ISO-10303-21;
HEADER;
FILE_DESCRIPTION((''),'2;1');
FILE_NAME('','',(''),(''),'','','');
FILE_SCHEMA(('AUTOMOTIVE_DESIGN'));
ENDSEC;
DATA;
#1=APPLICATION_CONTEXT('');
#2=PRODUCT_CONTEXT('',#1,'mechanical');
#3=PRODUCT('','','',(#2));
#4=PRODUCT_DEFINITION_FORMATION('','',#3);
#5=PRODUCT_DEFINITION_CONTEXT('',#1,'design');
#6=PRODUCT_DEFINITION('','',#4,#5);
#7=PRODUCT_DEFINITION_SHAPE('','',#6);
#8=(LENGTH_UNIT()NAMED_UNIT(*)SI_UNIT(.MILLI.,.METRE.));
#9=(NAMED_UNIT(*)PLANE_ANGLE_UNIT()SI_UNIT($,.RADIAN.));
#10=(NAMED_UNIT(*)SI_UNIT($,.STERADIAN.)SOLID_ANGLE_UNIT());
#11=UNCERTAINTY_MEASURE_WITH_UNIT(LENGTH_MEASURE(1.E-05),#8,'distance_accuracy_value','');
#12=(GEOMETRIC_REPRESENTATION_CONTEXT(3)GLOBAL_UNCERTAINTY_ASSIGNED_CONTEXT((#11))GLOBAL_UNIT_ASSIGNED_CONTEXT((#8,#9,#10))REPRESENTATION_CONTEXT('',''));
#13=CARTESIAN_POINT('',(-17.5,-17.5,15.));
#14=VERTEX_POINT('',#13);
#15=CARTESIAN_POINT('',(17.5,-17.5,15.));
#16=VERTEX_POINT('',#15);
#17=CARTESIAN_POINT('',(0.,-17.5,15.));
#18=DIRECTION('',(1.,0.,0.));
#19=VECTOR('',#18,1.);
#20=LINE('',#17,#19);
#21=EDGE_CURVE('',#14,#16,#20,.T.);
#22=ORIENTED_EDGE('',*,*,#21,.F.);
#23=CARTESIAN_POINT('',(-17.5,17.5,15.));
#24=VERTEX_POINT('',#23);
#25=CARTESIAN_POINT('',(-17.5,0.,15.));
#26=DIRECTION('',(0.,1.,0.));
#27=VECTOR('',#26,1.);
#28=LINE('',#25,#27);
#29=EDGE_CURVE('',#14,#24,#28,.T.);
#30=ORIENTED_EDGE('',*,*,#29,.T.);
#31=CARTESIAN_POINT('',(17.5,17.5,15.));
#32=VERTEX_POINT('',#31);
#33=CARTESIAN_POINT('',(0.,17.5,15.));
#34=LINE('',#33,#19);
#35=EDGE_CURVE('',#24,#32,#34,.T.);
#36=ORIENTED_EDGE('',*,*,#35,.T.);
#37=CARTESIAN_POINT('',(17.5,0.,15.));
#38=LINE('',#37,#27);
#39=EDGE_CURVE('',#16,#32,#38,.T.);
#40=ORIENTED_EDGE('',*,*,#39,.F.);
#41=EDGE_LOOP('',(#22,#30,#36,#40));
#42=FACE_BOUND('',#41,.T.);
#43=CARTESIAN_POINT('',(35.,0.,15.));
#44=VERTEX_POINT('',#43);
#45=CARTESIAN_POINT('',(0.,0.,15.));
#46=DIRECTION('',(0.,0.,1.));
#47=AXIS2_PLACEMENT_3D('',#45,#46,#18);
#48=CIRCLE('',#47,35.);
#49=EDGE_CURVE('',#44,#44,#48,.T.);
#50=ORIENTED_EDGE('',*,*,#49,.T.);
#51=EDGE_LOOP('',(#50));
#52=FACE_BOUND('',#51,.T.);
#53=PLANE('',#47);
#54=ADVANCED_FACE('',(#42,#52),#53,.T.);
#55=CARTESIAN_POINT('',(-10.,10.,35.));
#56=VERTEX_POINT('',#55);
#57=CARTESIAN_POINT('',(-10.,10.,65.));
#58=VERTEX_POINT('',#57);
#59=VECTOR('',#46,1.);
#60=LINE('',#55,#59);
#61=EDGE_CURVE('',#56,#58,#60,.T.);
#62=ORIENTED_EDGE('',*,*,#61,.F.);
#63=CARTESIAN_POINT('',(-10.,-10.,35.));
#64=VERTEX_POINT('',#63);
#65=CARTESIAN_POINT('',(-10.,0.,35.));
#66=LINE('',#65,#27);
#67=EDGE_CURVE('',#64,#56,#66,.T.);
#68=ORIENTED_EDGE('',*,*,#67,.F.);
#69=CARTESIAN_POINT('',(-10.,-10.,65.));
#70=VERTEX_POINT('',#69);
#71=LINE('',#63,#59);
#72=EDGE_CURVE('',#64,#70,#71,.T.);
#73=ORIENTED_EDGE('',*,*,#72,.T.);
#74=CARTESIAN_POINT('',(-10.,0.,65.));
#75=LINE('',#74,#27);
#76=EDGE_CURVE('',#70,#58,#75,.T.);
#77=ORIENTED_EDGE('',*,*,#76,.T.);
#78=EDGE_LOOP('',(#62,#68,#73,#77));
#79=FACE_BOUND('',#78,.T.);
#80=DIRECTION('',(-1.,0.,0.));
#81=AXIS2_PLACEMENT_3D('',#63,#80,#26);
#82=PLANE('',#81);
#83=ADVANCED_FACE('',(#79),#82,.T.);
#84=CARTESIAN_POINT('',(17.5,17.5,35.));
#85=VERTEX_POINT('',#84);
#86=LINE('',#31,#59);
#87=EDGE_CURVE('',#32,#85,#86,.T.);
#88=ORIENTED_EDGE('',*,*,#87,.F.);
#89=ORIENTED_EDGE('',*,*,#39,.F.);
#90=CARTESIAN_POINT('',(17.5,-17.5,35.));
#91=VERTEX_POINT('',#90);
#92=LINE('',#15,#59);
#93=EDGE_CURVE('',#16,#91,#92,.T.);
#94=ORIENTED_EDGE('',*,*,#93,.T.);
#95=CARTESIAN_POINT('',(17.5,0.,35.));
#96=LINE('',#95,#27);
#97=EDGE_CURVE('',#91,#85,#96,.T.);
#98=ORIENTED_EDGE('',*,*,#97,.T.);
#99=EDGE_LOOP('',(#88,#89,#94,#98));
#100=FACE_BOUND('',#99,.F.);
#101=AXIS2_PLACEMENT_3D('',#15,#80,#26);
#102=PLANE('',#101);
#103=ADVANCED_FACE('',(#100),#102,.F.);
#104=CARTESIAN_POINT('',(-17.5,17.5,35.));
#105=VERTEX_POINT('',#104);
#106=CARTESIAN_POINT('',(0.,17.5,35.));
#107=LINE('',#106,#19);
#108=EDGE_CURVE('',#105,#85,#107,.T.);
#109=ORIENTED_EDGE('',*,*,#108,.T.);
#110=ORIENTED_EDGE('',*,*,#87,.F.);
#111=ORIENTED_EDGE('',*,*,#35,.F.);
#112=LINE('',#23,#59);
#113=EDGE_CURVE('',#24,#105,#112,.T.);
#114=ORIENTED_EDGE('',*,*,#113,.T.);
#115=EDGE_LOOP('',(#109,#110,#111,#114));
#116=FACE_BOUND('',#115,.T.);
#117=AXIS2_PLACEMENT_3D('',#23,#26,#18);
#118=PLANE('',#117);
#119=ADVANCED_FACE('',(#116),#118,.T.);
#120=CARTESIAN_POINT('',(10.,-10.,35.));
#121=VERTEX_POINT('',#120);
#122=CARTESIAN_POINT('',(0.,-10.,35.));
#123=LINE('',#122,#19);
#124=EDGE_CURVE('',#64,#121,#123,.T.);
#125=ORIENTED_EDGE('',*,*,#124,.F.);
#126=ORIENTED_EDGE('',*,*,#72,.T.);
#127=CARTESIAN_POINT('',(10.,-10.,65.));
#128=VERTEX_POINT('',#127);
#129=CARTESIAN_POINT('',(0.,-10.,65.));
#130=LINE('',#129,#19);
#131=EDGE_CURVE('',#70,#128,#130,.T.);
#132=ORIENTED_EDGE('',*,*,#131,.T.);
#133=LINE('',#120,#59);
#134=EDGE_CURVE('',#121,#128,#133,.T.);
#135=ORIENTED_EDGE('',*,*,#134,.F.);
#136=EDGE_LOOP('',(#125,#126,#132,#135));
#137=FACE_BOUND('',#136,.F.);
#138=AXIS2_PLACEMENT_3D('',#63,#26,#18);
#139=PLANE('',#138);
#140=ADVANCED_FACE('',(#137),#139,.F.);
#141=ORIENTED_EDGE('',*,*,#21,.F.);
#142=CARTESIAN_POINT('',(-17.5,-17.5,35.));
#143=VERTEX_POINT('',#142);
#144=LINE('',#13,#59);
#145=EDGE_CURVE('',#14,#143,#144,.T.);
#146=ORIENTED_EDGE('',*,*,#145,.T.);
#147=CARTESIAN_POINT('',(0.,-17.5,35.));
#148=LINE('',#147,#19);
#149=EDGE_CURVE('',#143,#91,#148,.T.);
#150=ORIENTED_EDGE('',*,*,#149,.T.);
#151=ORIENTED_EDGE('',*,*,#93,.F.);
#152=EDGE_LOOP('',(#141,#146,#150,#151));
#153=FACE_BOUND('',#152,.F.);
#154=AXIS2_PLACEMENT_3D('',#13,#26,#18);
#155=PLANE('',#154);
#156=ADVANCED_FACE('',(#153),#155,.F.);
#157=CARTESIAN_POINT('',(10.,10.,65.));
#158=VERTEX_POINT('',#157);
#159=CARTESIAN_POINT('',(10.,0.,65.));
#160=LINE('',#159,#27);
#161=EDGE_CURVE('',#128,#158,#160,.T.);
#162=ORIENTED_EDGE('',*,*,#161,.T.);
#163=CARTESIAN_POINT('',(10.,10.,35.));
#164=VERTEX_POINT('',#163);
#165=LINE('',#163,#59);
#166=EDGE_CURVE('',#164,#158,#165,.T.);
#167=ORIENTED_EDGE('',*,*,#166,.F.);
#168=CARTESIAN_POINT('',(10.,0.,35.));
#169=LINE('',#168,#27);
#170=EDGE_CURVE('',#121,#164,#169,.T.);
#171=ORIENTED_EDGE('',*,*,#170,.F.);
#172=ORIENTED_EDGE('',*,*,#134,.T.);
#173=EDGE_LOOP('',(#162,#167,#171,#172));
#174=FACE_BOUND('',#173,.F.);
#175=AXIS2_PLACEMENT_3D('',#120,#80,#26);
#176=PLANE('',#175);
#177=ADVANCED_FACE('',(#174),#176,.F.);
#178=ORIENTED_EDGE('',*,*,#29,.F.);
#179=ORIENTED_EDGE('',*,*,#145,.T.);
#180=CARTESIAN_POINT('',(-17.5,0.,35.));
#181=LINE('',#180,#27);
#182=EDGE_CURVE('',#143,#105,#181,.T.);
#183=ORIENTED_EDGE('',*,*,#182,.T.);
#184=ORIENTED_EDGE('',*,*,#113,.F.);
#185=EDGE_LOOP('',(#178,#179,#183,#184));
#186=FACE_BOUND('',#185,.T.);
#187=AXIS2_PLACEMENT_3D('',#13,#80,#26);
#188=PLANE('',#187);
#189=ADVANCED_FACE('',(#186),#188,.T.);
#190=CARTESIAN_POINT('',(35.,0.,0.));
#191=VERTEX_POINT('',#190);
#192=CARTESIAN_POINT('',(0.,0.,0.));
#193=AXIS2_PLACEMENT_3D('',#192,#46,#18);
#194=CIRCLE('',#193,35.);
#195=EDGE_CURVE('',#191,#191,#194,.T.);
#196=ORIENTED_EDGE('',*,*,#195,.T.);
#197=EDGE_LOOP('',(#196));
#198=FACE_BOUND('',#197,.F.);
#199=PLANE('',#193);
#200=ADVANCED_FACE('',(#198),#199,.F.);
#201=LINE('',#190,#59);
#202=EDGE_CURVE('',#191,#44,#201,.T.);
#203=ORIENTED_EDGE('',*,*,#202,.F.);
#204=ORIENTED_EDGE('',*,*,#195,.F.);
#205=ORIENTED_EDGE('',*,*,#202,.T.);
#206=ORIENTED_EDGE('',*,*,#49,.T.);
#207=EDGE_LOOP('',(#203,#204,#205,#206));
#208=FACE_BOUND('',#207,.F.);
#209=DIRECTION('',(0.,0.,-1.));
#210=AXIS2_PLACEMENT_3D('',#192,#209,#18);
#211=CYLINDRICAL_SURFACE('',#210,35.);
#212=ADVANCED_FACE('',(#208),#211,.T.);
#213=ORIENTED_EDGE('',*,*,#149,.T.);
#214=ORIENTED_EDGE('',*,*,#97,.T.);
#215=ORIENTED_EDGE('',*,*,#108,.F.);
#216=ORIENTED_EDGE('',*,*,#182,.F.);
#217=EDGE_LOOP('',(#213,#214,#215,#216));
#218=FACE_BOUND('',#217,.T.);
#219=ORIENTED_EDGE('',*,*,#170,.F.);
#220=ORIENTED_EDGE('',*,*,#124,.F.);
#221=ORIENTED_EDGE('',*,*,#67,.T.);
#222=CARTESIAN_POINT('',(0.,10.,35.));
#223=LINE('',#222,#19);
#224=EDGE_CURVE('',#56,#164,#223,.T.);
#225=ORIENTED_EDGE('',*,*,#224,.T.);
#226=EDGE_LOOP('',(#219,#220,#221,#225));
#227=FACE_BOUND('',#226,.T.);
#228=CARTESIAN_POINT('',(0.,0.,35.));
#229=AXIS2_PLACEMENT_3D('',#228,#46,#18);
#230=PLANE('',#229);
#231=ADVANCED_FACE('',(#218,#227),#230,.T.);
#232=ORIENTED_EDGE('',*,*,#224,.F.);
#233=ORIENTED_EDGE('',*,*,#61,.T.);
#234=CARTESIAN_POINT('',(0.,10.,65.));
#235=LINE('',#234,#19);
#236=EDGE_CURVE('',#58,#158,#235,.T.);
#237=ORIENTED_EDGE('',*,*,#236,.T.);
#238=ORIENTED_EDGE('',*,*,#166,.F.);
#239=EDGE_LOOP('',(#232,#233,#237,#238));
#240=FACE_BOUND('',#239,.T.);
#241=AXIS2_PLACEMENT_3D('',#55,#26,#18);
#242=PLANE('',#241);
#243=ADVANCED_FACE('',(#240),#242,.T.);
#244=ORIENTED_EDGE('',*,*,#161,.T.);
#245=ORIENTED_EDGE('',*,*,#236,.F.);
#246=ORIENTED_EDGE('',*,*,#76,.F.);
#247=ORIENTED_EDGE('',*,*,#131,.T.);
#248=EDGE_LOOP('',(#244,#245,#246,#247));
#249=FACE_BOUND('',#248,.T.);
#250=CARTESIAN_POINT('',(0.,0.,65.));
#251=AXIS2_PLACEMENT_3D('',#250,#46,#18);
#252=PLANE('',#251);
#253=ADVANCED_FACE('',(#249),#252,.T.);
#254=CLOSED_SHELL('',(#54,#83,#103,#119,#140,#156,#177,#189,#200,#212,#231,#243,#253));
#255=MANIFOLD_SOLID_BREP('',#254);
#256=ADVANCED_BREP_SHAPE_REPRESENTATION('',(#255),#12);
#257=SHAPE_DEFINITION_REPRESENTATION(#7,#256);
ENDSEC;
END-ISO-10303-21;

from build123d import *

# Parameters (mm, degrees)
F0_R     = 35
F1_DEPTH = 15
F2_W     = 35
F2_H     = 35
F3_DEPTH = 20
F4_W     = 20
F4_H     = 20
F5_DEPTH = 30


with BuildPart() as f1:
    # F0 (on Top) → F1 (new body)
    with BuildSketch(Plane.XY):
        Circle(F0_R)
    extrude(amount=F1_DEPTH)

    # F2 (on face) → F3 (join)
    with BuildSketch(Plane.XY.offset(15)):
        Rectangle(F2_W, F2_H)
    extrude(amount=F3_DEPTH)

    # F4 (on face) → F5 (join)
    with BuildSketch(Plane.XY.offset(35)):
        Rectangle(F4_W, F4_H)
    extrude(amount=F5_DEPTH)


solid = f1.part
